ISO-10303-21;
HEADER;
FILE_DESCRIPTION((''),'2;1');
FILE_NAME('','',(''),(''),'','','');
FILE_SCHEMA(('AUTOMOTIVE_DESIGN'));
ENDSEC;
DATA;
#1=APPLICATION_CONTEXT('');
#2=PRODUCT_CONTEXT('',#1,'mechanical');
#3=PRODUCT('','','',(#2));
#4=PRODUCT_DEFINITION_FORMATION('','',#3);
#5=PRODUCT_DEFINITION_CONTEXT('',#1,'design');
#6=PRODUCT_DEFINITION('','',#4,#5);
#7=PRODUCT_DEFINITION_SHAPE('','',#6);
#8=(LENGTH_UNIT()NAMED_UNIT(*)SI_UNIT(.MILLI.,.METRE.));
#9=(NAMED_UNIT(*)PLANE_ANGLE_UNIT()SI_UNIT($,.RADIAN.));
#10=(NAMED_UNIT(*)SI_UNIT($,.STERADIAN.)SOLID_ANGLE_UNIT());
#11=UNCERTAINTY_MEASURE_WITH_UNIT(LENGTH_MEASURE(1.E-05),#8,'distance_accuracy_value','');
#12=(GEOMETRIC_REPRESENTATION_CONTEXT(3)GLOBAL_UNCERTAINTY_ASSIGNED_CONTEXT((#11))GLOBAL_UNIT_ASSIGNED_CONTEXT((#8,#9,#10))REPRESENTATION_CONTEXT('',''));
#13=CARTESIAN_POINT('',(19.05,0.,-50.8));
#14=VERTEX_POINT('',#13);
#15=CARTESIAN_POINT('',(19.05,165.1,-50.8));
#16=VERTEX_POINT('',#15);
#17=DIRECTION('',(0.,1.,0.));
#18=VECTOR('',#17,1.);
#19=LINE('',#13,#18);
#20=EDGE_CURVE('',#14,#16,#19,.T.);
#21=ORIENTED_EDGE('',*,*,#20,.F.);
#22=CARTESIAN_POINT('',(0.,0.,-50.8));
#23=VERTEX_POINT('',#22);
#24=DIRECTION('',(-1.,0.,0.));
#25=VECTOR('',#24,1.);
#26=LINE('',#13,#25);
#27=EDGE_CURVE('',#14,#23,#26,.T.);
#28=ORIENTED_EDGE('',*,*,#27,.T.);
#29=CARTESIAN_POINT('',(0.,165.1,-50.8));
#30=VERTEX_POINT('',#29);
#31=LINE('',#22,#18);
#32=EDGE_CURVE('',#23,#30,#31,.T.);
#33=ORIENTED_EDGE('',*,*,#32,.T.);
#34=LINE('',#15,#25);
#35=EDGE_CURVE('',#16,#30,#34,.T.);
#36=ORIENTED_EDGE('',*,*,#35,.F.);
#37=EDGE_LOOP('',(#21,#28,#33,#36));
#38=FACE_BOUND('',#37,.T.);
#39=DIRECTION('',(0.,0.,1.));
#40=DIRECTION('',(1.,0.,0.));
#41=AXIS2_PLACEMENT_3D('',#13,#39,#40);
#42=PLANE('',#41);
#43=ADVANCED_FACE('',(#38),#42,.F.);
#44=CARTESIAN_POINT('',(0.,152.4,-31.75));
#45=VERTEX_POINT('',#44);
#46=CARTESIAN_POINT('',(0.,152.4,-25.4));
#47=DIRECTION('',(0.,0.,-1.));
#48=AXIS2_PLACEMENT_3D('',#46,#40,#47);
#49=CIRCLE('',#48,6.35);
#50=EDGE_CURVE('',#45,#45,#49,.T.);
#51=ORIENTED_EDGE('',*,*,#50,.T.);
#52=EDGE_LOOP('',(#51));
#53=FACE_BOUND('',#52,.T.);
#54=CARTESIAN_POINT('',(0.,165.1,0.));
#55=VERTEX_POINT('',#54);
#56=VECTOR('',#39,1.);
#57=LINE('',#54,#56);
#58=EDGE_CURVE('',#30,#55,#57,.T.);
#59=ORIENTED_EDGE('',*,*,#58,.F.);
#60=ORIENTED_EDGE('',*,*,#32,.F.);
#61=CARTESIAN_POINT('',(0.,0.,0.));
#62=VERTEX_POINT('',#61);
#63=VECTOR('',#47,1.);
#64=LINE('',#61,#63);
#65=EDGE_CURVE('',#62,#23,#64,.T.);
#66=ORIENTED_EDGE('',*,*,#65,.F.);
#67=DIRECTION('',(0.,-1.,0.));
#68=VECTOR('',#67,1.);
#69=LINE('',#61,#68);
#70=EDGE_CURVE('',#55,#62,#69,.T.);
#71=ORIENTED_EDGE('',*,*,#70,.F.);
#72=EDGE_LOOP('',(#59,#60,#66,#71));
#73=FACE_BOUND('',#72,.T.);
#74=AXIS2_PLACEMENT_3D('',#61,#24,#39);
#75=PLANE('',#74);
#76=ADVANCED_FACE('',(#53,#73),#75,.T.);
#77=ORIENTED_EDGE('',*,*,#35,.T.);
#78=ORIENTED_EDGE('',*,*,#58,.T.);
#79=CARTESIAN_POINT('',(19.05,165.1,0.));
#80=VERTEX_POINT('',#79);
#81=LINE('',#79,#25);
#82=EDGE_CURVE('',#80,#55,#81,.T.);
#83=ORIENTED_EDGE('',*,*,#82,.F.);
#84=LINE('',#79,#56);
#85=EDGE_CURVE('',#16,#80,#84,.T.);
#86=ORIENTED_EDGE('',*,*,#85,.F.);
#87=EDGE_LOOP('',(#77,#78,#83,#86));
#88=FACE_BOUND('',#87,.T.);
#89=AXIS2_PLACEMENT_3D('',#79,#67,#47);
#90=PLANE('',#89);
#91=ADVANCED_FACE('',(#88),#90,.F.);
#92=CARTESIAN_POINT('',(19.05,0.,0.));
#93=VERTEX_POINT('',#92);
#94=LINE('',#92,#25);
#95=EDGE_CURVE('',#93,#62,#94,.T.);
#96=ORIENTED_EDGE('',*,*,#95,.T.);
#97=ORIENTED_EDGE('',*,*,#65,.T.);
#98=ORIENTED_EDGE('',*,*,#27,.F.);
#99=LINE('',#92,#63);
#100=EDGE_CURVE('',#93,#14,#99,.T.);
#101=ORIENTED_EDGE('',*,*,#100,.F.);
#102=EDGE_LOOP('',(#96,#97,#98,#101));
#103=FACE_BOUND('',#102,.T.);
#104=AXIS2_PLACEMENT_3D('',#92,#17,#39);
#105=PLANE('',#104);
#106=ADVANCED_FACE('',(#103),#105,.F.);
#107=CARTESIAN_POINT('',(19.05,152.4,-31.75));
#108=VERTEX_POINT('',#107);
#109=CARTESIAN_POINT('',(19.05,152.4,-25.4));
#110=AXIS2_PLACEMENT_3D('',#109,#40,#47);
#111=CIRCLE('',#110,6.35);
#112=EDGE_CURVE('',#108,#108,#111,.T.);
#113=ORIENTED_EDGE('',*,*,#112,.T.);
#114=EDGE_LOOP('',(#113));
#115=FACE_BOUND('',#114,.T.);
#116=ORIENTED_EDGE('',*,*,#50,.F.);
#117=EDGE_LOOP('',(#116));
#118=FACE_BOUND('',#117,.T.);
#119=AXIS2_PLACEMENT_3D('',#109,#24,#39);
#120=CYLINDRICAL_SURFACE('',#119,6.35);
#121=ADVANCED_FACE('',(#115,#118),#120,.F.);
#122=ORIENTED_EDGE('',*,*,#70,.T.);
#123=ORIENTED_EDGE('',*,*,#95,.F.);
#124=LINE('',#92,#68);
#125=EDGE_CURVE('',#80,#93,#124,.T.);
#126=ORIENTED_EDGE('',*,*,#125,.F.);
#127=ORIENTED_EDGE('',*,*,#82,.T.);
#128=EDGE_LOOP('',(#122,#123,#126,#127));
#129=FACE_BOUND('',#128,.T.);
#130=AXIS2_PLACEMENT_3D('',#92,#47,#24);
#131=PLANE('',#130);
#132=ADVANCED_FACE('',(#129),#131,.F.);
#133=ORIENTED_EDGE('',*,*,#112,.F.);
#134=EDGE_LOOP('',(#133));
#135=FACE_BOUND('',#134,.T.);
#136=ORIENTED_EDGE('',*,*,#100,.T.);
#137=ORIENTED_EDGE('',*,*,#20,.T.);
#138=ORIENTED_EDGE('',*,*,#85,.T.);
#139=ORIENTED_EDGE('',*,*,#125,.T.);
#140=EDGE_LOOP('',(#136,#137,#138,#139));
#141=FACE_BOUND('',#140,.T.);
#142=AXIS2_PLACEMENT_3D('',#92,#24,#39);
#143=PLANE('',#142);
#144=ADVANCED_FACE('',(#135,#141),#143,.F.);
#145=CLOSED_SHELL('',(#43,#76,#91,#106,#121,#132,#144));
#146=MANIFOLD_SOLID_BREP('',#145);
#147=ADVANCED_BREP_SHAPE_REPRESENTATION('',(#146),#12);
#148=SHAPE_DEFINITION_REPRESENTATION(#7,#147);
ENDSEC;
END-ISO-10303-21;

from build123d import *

# Parameters (mm, degrees)
SKETCH1_W           = 50.8
SKETCH1_H           = 165.1
SKETCH1_R           = 6.35
BOSS_EXTRUDE1_DEPTH = 19.05


with BuildPart() as part:
    # Sketch1 → Boss-Extrude1 (new body)
    with BuildSketch(Plane(origin=(0, 0, 0), x_dir=(0, 0, -1), z_dir=(1, 0, 0))):
        with Locations((25.4, 82.55)):
            Rectangle(SKETCH1_W, SKETCH1_H)
        with Locations((25.4, 152.4)):
            Circle(SKETCH1_R, mode=Mode.SUBTRACT)
    extrude(amount=BOSS_EXTRUDE1_DEPTH)


solid = part.part
